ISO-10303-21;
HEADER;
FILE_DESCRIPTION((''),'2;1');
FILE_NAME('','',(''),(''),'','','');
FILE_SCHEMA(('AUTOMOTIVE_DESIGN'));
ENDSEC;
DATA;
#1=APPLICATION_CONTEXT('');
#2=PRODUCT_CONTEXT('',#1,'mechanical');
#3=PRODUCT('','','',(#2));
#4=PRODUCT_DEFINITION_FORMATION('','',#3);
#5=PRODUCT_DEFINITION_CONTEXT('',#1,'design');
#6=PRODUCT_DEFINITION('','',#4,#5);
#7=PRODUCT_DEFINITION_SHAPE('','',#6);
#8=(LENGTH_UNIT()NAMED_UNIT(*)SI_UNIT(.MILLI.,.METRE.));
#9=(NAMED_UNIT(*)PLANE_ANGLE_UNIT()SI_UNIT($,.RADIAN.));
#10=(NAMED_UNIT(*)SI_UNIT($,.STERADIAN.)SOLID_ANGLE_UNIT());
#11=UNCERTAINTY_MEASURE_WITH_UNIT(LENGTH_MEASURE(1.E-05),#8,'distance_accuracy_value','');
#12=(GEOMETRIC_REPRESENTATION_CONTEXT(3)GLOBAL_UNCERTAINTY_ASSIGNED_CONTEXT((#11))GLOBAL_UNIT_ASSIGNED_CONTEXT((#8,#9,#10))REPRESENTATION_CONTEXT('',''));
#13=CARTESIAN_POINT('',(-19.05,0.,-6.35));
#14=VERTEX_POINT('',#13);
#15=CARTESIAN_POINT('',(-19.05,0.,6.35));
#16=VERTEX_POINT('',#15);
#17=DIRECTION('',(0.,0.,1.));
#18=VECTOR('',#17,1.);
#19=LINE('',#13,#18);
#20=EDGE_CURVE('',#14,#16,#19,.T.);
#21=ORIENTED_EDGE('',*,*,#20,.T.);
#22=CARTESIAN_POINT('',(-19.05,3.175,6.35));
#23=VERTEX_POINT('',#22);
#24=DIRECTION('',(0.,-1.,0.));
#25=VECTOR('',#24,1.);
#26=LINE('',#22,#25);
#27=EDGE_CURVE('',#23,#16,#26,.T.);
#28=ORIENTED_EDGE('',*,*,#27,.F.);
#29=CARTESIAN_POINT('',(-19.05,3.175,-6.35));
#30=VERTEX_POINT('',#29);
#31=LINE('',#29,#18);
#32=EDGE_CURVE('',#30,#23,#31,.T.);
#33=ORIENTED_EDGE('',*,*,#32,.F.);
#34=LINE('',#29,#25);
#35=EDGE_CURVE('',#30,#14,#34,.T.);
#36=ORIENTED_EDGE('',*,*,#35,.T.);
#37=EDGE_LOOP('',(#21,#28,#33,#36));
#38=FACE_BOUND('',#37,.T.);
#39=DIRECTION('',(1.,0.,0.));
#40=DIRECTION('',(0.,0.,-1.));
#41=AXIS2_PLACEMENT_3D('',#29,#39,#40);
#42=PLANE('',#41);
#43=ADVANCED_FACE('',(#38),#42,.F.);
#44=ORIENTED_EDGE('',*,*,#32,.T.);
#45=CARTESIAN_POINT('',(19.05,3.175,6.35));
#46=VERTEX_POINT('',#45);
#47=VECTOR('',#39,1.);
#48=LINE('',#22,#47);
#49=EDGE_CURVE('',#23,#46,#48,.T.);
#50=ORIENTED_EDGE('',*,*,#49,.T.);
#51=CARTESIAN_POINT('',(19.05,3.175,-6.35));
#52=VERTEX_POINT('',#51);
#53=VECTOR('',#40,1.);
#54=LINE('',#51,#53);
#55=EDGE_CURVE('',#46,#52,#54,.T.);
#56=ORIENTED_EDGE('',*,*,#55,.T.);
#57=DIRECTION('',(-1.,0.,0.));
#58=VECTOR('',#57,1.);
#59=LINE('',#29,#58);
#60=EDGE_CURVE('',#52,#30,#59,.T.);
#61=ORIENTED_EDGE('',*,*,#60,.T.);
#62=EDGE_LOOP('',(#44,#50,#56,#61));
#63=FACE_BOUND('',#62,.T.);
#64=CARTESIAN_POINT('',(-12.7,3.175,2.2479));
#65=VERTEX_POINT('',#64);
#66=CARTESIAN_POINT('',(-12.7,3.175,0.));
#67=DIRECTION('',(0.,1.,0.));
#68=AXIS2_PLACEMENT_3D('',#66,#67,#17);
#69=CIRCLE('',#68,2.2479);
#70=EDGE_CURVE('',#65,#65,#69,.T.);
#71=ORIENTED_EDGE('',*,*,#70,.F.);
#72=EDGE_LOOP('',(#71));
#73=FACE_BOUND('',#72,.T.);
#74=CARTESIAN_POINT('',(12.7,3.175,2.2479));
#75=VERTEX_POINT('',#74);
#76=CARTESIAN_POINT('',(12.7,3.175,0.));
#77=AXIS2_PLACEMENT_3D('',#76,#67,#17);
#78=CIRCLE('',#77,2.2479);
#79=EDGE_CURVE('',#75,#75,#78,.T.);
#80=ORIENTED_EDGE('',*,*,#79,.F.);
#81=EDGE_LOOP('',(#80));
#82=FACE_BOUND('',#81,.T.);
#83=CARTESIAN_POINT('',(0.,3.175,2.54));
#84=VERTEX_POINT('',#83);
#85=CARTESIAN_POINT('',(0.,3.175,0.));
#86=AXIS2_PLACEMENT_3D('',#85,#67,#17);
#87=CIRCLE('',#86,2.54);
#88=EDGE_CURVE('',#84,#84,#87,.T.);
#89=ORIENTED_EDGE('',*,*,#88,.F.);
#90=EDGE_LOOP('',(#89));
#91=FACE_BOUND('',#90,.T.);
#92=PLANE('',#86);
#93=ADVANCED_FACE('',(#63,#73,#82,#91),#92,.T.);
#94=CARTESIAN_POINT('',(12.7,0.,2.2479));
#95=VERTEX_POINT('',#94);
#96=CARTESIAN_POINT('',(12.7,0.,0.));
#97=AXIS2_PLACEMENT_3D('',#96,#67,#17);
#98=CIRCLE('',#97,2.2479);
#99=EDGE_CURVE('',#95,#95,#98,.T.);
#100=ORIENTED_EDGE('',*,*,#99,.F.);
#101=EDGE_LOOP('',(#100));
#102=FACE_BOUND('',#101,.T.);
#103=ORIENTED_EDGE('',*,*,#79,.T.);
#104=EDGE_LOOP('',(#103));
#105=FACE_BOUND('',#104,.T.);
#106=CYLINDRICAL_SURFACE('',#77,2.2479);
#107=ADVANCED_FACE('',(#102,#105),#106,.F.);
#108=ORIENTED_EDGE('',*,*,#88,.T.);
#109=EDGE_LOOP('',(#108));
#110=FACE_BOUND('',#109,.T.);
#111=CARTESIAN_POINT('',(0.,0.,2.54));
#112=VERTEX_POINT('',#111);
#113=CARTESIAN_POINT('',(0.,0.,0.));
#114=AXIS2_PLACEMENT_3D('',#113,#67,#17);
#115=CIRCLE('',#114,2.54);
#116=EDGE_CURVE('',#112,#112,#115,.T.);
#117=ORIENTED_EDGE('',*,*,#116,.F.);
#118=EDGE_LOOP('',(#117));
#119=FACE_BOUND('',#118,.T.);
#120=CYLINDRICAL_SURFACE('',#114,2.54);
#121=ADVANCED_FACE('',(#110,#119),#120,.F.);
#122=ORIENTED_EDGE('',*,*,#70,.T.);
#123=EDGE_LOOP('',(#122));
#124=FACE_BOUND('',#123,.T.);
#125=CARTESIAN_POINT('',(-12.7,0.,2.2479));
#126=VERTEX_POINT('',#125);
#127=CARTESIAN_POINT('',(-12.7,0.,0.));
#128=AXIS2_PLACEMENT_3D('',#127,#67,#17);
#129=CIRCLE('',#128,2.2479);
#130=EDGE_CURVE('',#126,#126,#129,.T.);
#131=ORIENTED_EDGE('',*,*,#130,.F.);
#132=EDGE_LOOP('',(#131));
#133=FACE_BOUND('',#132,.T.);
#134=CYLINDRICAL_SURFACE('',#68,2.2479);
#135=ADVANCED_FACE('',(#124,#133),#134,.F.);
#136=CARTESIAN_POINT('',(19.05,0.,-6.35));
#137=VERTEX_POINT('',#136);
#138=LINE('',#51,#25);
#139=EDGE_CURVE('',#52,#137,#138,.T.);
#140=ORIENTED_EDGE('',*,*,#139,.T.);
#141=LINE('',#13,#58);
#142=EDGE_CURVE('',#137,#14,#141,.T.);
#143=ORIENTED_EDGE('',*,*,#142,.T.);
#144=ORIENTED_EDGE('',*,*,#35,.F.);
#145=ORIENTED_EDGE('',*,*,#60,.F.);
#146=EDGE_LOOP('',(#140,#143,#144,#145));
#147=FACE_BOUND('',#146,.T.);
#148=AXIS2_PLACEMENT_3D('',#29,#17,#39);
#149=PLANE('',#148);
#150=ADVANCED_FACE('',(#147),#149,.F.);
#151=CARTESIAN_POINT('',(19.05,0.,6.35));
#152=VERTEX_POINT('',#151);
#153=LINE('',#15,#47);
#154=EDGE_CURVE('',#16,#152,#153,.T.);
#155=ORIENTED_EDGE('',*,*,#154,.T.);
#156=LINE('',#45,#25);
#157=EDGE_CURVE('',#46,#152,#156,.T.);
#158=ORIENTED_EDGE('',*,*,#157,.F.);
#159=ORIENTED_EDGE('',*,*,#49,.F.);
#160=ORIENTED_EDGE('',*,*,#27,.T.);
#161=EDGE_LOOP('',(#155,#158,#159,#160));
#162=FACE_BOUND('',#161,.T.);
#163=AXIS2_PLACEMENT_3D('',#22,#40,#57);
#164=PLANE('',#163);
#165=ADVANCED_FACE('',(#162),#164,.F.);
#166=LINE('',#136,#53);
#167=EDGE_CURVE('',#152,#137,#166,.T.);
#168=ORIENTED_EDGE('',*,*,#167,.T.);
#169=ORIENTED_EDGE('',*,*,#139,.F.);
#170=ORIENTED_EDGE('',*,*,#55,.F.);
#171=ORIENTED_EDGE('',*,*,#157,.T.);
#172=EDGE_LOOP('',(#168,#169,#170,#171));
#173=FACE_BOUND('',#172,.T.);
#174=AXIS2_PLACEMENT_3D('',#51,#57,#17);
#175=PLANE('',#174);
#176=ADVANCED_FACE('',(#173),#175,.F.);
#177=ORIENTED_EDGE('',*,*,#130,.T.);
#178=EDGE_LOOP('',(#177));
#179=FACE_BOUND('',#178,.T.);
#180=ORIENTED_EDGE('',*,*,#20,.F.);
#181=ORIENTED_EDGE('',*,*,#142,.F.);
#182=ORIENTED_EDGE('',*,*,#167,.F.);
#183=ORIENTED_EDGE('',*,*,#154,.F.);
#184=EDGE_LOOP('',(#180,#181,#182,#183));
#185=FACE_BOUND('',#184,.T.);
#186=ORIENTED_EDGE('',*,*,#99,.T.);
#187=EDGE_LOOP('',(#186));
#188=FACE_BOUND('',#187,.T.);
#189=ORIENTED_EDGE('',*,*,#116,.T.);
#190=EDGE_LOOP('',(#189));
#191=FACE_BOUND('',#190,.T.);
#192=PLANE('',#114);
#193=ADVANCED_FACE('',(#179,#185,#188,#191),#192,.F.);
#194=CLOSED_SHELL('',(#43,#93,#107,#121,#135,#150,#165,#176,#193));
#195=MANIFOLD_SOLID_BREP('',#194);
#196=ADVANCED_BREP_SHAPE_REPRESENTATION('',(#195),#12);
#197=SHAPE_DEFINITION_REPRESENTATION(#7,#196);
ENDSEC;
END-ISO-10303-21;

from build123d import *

# Parameters (mm, degrees)
SKETCH1_W             = 38.1
SKETCH1_H             = 12.7
BOSS_EXTRUDE1_DEPTH   = 3.175
SKETCH2_R             = 2.54
CUT_EXTRUDE1_DEPTH    = 21.329919454
F_8_CLEARANCE_HOLE1_D = 4.4958


with BuildPart() as part:
    # Sketch1 → Boss-Extrude1 (new body)
    with BuildSketch(Plane(origin=(0, 0, 0), x_dir=(1, 0, 0), z_dir=(0, 1, 0))):
        Rectangle(SKETCH1_W, SKETCH1_H)
    extrude(amount=BOSS_EXTRUDE1_DEPTH)

    # Sketch2 → Cut-Extrude1 (cut, through all)
    with BuildSketch(Plane(origin=(0, 3.175, 0), x_dir=(1, 0, 0), z_dir=(0, 1, 0))):
        with Locations(Location((0, 0, 0), (0, 0, 270))):
            Circle(SKETCH2_R)
    extrude(amount=-CUT_EXTRUDE1_DEPTH, mode=Mode.SUBTRACT)

    # #8 Clearance Hole1 (through all)
    with Locations(Plane(origin=(0, 3.175, 0), x_dir=(1, 0, 0), z_dir=(0, 1, 0))):
        with Locations((-12.7, 0), (12.7, 0)):
            Hole(F_8_CLEARANCE_HOLE1_D / 2)


solid = part.part
